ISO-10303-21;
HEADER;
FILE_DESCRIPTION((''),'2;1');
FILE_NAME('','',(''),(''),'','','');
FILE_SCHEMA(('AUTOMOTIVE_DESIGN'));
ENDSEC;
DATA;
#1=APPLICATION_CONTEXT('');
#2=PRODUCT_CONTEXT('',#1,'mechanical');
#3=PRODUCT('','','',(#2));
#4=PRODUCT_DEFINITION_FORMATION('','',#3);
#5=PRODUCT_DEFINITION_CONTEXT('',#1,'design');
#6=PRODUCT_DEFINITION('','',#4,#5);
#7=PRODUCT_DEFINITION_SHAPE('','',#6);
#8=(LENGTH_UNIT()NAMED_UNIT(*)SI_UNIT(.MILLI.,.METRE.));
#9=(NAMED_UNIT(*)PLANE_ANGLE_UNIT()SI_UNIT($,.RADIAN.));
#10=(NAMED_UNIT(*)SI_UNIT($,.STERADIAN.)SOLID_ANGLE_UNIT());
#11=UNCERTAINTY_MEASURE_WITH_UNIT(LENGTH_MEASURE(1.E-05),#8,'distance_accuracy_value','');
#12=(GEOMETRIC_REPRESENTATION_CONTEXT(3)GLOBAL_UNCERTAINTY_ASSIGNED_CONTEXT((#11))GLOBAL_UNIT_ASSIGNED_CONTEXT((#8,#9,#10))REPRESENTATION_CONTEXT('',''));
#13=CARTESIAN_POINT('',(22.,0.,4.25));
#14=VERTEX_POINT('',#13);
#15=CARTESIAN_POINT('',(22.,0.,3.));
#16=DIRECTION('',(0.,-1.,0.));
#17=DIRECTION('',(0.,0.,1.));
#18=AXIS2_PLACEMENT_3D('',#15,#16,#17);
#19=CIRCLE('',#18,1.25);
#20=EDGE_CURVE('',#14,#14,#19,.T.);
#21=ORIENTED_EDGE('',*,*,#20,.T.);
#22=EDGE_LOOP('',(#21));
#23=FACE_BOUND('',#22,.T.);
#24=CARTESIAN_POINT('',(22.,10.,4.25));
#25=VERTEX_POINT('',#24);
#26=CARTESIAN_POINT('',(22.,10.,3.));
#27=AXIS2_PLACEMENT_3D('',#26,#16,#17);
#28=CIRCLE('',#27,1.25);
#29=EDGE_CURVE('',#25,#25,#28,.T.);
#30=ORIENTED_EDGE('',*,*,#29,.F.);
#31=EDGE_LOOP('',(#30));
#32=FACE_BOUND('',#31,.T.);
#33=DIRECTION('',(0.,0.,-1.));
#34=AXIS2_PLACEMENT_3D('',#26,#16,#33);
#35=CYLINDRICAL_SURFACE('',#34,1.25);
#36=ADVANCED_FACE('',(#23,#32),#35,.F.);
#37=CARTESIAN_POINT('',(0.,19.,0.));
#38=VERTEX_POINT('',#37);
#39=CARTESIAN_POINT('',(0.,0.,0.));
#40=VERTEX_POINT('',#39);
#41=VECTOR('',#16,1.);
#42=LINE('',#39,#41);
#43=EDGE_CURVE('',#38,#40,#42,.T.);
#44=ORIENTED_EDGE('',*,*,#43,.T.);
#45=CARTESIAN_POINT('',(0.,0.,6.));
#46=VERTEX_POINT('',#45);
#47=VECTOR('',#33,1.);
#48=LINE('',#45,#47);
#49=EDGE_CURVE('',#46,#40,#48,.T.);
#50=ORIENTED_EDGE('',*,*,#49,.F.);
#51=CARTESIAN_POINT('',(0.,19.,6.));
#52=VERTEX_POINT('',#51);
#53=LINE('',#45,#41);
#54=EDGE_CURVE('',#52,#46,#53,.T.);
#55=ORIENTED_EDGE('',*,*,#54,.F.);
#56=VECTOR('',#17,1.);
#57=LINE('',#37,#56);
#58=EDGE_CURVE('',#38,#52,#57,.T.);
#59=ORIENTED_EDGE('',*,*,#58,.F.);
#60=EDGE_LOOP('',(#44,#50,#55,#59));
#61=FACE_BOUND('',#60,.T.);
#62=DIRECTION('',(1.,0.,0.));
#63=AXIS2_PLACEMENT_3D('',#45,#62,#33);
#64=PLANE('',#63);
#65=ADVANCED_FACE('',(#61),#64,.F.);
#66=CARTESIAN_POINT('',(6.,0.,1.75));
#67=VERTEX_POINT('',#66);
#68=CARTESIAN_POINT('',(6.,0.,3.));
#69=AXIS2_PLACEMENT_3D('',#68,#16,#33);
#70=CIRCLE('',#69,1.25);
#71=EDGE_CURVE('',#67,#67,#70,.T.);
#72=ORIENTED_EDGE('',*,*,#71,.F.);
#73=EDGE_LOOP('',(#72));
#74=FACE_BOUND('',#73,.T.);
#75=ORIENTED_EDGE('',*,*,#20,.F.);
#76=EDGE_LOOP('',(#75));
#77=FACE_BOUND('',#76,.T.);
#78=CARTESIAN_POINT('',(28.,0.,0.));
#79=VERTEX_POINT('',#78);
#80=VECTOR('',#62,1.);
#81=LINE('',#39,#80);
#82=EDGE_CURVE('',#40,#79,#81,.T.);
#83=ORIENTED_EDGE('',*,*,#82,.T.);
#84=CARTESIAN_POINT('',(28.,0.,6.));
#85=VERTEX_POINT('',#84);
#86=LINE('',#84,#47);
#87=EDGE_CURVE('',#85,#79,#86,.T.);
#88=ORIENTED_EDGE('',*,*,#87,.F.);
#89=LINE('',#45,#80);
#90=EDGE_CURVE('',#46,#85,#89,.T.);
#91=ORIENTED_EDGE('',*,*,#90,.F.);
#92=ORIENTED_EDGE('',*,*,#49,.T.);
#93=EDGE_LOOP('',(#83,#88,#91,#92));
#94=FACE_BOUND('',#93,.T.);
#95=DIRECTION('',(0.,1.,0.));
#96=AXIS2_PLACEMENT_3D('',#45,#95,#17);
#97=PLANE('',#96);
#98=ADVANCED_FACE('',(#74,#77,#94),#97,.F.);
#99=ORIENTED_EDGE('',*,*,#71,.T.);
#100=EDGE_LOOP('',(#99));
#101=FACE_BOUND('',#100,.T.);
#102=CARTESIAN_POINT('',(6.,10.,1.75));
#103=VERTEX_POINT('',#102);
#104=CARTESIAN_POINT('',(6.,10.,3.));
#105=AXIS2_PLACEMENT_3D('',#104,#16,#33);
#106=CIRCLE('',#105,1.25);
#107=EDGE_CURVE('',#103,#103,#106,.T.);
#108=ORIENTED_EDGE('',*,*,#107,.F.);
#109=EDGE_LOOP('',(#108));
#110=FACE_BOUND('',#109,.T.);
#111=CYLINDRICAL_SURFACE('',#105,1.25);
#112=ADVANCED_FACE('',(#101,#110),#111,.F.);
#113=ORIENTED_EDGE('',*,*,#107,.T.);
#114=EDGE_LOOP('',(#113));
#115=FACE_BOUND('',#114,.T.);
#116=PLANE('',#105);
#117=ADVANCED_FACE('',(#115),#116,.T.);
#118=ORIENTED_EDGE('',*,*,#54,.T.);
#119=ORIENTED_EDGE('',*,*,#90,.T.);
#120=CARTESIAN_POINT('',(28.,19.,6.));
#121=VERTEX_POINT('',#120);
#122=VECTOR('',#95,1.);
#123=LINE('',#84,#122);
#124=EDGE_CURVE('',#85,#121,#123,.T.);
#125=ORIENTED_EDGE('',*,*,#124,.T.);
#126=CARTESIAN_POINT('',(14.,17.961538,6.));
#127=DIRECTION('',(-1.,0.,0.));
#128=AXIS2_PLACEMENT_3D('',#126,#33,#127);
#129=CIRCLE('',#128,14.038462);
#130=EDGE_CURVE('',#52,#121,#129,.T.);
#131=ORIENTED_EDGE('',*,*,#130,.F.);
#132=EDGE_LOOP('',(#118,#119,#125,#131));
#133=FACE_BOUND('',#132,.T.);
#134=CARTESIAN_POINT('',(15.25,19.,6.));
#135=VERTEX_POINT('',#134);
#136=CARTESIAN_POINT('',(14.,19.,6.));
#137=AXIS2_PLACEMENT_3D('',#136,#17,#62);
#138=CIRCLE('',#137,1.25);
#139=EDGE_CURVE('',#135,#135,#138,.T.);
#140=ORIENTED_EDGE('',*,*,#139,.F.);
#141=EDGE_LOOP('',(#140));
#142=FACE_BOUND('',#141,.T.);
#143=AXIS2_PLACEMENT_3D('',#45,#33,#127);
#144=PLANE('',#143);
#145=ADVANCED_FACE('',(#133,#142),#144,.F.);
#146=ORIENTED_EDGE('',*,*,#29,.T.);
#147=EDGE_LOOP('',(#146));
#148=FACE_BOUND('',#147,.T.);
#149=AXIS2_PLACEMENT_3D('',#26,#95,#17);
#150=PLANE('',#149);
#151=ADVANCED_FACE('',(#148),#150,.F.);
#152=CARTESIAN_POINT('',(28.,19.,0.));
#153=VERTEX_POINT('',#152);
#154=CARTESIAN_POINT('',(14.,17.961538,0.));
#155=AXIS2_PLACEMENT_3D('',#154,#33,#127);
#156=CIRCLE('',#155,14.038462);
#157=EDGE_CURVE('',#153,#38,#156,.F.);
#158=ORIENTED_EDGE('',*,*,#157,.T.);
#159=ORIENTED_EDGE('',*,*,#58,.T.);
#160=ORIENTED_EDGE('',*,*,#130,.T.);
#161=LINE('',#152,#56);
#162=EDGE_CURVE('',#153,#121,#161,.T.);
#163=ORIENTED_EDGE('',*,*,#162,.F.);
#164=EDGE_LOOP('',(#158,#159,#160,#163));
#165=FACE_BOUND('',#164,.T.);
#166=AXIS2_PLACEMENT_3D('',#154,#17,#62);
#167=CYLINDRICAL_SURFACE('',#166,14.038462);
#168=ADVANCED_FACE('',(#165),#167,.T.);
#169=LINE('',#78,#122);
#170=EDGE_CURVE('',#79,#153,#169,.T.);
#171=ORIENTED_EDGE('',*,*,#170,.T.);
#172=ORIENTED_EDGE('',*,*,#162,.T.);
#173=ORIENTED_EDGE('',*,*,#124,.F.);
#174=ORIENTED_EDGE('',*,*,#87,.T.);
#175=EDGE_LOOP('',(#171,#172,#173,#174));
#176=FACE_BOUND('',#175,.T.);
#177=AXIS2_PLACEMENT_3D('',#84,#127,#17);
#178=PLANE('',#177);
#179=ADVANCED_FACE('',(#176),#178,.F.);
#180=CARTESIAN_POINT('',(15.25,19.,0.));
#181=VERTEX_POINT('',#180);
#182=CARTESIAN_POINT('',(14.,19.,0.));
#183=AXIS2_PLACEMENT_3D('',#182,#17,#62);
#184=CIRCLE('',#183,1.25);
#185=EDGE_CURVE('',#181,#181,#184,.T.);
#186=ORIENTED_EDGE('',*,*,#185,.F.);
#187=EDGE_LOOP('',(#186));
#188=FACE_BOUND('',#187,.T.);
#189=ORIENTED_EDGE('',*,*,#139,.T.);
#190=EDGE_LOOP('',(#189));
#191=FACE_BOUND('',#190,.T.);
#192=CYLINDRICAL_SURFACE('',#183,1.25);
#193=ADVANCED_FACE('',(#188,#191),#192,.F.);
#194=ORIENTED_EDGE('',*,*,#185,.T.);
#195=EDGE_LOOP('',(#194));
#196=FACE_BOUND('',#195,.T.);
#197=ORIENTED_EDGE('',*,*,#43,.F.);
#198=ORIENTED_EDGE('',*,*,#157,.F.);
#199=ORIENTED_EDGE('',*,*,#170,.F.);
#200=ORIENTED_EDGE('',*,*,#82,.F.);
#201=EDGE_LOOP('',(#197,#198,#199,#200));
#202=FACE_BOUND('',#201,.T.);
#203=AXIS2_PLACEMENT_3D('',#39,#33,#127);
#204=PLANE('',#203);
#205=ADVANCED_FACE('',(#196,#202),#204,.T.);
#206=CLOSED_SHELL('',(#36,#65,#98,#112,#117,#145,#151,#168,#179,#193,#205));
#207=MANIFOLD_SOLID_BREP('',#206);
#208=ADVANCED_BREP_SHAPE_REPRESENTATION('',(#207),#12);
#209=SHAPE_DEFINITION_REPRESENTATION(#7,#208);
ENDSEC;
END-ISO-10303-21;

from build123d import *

# Parameters (mm, degrees)
ESQUISSE1_W             = 28
ESQUISSE1_H             = 32
BOSS_EXTRU_1_DEPTH      = 6
ESQUISSE2_R             = 1.25
ENL_V_MAT_EXTRU_1_DEPTH = 10
ESQUISSE3_R             = 1.25
ENL_V_MAT_EXTRU_2_DEPTH = 43.941821107
ENL_V_MAT_EXTRU_3_DEPTH = 43.941821107


with BuildPart() as part:
    # Esquisse1 → Boss.-Extru.1 (new body)
    with BuildSketch(Plane.XY):
        with Locations((14, 16)):
            Rectangle(ESQUISSE1_W, ESQUISSE1_H)
    extrude(amount=BOSS_EXTRU_1_DEPTH)

    # Esquisse2 → Enlèv. mat.-Extru.1 (cut)
    with BuildSketch(Plane.XZ):
        with Locations(Location((6, 3, 0), (0, 0, 270))):
            Circle(ESQUISSE2_R)
        with Locations(Location((22, 3, 0), (0, 0, 90))):
            Circle(ESQUISSE2_R)
    extrude(amount=-ENL_V_MAT_EXTRU_1_DEPTH, mode=Mode.SUBTRACT)

    # Esquisse3 → Enlèv. mat.-Extru.2 (cut, through all)
    with BuildSketch(Plane.XY.offset(6)):
        with Locations((14, 19)):
            Circle(ESQUISSE3_R)
    extrude(amount=-ENL_V_MAT_EXTRU_2_DEPTH, mode=Mode.SUBTRACT)

    # Esquisse5 → Enlèv. mat.-Extru.3 (cut, through all)
    with BuildSketch(Plane.XY.offset(6)):
        with BuildLine():
            Line((0, 19), (0, 33))
            Line((0, 33), (28, 33))
            Line((28, 33), (28, 19))
            ThreePointArc((28, 19), (14, 32), (0, 19))
        make_face()
    extrude(amount=-ENL_V_MAT_EXTRU_3_DEPTH, mode=Mode.SUBTRACT)


solid = part.part
